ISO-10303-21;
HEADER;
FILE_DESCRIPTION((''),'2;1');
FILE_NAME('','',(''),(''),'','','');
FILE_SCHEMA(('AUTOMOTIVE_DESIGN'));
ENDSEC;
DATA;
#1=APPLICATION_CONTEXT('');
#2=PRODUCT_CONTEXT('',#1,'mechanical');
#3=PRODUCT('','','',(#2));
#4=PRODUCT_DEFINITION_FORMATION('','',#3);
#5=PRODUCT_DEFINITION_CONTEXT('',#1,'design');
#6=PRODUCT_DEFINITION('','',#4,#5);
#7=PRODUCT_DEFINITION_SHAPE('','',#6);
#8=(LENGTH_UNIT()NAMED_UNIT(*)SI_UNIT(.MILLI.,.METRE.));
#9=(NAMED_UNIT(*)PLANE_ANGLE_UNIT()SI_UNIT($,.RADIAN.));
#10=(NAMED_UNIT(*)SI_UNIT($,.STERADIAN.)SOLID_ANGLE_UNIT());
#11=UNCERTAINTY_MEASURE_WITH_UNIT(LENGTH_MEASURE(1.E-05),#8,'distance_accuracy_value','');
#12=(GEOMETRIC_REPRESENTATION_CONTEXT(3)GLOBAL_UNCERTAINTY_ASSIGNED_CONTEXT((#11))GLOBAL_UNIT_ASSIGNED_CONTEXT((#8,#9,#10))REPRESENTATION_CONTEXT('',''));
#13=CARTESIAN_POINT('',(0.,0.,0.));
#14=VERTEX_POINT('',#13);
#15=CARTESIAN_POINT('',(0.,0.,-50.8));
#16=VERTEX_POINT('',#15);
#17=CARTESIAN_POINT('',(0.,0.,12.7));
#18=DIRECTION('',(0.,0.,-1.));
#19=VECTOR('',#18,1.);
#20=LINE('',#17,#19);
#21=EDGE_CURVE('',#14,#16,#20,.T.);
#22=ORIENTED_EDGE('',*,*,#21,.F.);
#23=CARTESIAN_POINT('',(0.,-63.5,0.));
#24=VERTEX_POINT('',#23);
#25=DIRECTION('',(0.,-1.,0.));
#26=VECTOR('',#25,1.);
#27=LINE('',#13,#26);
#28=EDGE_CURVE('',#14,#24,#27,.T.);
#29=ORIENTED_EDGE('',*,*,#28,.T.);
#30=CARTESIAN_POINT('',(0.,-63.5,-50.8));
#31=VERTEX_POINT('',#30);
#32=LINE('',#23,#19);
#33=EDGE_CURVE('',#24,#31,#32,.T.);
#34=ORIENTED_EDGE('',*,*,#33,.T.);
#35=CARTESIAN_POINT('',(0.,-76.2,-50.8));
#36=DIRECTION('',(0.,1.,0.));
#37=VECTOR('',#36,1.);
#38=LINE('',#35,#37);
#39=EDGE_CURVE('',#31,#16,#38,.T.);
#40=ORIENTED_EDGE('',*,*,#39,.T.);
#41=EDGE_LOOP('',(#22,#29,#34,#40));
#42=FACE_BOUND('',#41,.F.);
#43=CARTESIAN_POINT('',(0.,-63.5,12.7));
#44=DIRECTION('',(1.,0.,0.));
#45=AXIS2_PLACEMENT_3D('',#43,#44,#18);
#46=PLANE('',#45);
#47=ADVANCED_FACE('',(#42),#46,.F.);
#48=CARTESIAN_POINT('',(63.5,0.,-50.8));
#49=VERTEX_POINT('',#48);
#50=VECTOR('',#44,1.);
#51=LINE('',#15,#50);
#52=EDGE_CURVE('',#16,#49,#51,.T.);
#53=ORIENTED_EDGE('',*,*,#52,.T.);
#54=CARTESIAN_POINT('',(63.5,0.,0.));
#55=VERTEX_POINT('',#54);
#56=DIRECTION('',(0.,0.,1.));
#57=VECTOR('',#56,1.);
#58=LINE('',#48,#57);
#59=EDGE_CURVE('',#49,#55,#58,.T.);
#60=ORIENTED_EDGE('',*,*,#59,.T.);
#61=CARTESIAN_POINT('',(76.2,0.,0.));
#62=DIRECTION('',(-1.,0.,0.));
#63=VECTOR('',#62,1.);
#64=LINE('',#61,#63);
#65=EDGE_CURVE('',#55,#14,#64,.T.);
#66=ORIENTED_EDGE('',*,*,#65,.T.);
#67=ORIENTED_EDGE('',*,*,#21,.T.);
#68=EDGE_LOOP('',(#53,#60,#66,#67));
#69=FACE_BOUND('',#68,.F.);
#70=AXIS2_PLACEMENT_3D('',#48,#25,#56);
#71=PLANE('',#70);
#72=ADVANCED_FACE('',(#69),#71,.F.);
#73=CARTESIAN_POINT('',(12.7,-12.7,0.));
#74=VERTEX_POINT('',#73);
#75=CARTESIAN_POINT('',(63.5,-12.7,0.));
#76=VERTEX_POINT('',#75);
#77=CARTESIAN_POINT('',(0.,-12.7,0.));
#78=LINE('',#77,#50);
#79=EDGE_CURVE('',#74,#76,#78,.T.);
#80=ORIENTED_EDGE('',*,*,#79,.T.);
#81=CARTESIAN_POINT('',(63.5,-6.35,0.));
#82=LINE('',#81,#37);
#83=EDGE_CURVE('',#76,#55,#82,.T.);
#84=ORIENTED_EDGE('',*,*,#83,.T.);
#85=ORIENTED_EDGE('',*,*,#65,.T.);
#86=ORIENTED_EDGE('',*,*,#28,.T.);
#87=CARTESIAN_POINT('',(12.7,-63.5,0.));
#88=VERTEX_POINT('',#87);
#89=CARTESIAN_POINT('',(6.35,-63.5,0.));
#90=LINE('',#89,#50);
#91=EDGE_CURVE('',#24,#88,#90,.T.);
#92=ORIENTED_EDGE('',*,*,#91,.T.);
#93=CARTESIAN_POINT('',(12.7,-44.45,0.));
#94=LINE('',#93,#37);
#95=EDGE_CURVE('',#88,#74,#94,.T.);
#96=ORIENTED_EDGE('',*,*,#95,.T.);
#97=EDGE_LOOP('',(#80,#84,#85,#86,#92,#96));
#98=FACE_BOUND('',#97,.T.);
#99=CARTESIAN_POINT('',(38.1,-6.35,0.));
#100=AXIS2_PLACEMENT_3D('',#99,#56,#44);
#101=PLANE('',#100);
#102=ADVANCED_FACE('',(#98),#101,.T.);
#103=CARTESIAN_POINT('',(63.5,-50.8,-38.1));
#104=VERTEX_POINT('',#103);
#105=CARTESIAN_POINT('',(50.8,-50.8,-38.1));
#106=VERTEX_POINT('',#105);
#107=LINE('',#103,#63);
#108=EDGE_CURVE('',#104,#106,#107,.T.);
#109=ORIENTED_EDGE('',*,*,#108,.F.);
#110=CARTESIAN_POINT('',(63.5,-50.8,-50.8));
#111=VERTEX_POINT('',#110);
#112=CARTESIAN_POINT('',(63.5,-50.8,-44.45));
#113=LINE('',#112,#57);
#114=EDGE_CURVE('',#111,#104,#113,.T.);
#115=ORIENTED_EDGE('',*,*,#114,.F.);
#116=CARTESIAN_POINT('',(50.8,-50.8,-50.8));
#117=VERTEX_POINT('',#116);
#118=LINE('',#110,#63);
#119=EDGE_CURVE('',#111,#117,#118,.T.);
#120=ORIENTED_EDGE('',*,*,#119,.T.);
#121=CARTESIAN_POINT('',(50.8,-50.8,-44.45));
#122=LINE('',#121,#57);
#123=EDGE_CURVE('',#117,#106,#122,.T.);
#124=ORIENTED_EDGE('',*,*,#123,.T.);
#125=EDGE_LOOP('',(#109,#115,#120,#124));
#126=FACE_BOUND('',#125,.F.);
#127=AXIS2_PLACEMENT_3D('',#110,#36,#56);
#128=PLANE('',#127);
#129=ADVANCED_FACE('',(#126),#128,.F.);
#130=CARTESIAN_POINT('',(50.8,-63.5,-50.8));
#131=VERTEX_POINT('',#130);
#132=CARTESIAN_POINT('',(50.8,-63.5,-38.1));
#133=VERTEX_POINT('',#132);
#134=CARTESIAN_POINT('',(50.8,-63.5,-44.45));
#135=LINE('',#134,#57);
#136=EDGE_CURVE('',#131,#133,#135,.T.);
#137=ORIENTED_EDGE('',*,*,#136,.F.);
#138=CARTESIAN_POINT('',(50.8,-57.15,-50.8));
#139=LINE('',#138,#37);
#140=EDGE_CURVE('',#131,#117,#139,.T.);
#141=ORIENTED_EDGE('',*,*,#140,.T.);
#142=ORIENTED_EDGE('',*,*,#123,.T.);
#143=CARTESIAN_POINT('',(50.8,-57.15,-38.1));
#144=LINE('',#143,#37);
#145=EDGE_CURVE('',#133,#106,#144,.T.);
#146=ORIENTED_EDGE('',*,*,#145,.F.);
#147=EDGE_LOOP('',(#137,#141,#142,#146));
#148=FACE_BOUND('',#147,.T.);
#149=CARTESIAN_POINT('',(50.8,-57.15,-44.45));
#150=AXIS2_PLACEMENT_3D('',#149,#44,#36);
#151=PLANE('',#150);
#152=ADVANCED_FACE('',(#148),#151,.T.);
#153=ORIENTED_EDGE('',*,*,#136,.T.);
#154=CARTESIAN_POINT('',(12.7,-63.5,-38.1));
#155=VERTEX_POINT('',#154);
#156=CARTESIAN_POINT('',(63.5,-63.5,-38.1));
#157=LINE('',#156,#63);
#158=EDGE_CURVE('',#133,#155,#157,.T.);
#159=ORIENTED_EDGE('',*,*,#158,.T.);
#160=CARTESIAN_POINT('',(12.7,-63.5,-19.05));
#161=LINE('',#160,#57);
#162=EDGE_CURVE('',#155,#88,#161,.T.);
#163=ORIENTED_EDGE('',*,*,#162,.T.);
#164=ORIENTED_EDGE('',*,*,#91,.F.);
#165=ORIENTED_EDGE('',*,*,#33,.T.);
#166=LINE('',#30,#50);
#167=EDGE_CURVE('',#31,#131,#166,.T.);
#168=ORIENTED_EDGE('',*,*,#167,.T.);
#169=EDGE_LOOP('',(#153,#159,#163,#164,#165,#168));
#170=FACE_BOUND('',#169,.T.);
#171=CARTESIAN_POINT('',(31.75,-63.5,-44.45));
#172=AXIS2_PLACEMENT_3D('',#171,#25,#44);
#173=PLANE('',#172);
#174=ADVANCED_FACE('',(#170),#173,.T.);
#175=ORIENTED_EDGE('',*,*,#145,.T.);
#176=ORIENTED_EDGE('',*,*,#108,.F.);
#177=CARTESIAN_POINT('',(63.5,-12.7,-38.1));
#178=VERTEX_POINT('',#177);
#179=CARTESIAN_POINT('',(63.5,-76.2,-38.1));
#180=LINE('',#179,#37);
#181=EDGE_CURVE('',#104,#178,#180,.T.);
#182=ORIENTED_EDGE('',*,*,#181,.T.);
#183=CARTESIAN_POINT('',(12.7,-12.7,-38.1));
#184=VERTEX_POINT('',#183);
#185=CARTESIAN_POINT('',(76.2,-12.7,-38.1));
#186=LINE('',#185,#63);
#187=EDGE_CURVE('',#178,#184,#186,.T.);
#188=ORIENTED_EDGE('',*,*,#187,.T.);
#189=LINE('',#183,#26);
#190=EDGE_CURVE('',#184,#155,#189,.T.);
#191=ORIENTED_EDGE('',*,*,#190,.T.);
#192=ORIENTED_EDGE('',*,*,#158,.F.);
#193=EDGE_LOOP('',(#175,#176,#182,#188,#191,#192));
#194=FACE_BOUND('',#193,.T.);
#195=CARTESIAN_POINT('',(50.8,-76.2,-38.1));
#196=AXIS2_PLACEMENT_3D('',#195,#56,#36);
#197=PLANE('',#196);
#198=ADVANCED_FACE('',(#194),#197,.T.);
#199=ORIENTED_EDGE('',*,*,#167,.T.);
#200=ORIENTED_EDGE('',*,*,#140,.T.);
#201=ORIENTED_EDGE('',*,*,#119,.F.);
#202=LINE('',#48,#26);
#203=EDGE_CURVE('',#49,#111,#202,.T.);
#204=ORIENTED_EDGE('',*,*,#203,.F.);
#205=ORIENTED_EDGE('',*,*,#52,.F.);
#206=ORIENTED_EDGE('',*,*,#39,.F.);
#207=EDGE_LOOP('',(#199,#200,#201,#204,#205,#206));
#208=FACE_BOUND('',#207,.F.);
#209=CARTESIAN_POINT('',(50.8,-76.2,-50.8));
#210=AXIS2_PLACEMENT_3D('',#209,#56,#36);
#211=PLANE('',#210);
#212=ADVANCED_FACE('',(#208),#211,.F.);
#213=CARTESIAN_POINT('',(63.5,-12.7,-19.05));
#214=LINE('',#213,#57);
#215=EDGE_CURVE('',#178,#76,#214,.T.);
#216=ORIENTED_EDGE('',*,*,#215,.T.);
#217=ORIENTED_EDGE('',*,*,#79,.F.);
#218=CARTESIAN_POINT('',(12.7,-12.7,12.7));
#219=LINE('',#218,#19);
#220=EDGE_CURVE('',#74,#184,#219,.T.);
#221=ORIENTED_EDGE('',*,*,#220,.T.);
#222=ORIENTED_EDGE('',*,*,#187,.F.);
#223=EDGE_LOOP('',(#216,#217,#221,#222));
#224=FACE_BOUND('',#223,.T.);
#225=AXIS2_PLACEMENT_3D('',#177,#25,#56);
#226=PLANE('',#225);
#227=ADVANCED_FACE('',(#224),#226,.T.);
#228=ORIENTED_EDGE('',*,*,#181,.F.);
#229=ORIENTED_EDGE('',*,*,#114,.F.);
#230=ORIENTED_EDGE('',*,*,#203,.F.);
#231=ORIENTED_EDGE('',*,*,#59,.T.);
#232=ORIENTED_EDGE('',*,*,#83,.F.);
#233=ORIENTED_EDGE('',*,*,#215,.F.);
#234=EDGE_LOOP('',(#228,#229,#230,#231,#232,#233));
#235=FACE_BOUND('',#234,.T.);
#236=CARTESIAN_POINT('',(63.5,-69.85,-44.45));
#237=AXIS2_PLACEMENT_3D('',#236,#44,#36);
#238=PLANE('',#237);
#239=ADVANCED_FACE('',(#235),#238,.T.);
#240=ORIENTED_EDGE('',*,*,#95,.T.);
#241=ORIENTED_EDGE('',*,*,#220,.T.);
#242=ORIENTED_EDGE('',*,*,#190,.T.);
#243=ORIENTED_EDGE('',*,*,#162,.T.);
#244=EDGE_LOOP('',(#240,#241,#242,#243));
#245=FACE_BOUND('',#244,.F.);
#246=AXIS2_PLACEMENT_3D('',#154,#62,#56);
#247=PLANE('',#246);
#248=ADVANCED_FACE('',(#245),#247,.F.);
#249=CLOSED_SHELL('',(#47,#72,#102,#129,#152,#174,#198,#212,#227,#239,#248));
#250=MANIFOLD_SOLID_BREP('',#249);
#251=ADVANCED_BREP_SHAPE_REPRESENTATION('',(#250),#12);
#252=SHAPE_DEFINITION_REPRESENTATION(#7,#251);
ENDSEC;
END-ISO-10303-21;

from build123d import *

# Parameters (mm, degrees)
F0_W      = 12.7
F0_H      = 50.8
F1_DEPTH  = 63.5
F2_W      = 63.5
F2_H      = 12.7
F3_DEPTH  = 50.8
F4_W      = 12.7
F4_H      = 38.1
F5_DEPTH  = 50.8
F6_W      = 12.7
F6_H      = 12.7
F7_DEPTH  = 12.7
F8_W      = 12.7
F8_H      = 12.7
F9_DEPTH  = 12.7
F10_W     = 12.7
F10_H     = 63.5
F11_DEPTH = 12.7
F12_W     = 50.8
F12_H     = 12.7
F13_DEPTH = 12.7
F14_W     = 12.7
F14_H     = 50.8
F15_DEPTH = 12.7
F16_W     = 12.7
F16_H     = 50.8
F17_DEPTH = 12.7
F18_W     = 12.7
F18_H     = 12.7
F19_DEPTH = 25.4
F20_W     = 12.7
F20_H     = 12.7
F21_DEPTH = 12.7
F22_W     = 12.7
F22_H     = 63.5
F23_DEPTH = 12.7
F24_W     = 12.7
F24_H     = 38.1
F25_DEPTH = 12.7
F26_W     = 12.7
F26_H     = 38.1
F27_DEPTH = 12.7
F28_W     = 12.7
F28_H     = 12.7
F29_DEPTH = 12.7


with BuildPart() as f1:
    # F0 (on Front) → F1 (new body)
    with BuildSketch(Plane.XZ):
        with Locations((6.35, -25.4)):
            Rectangle(F0_W, F0_H)
    extrude(amount=F1_DEPTH)

    # F2 (on face) → F3 (join)
    with BuildSketch(Plane.YZ.offset(12.7)):
        with Locations((-31.75, -44.45)):
            Rectangle(F2_W, F2_H)
    extrude(amount=F3_DEPTH)

    # F4 (on face) → F5 (join)
    with BuildSketch(Plane.YZ.offset(12.7)):
        with Locations((-6.35, -19.05)):
            Rectangle(F4_W, F4_H)
    extrude(amount=F5_DEPTH)

    # F6 (on face) → F7 (join)
    with BuildSketch(Plane.YZ.offset(63.5)):
        with Locations((-57.15, -44.45)):
            Rectangle(F6_W, F6_H)
    extrude(amount=-F7_DEPTH)

    # F8 (on face) → F9 (cut)
    with BuildSketch(Plane.XY.offset(-38.1)):
        with Locations((57.15, -57.15)):
            Rectangle(F8_W, F8_H)
    extrude(amount=-F9_DEPTH, mode=Mode.SUBTRACT)

    # F10 (on face) → F11 (join)
    with BuildSketch(Plane.XY):
        with Locations((6.35, -31.75)):
            Rectangle(F10_W, F10_H)
    extrude(amount=F11_DEPTH)

    # F12 (on face) → F13 (join)
    with BuildSketch(Plane.XY):
        with Locations((38.1, -6.35)):
            Rectangle(F12_W, F12_H)
    extrude(amount=F13_DEPTH)

    # F14 (on face) → F15 (join)
    with BuildSketch(Plane.XZ.offset(63.5)):
        Polygon((50.8, -50.8), (50.8, -38.1), (12.7, -38.1), (0, -38.1), (0, -50.8), align=None)
        with Locations((6.35, -12.7)):
            Rectangle(F14_W, F14_H)
    extrude(amount=F15_DEPTH)

    # F16 (on face) → F17 (join)
    with BuildSketch(Plane.YZ.offset(63.5)):
        Polygon((-50.8, -38.1), (-50.8, -50.8), (0, -50.8), (0, -38.1), (-12.7, -38.1), align=None)
        with Locations((-6.35, -12.7)):
            Rectangle(F16_W, F16_H)
    extrude(amount=F17_DEPTH)

    # F18 (on face) → F19 (join)
    with BuildSketch(Plane.YZ.offset(50.8)):
        with Locations((-57.15, -44.45)):
            Rectangle(F18_W, F18_H)
    extrude(amount=F19_DEPTH)

    # F20 (on face) → F21 (join)
    with BuildSketch(Plane.YZ.offset(50.8)):
        with Locations((-69.85, -44.45)):
            Rectangle(F20_W, F20_H)
    extrude(amount=F21_DEPTH)

    # F22 (on face) → F23 (cut)
    with BuildSketch(Plane.XY.offset(12.7)):
        Polygon((76.2, -12.7), (76.2, 0), (0, 0), (0, -12.7), (12.7, -12.7), align=None)
        with Locations((6.35, -44.45)):
            Rectangle(F22_W, F22_H)
    extrude(amount=-F23_DEPTH, mode=Mode.SUBTRACT)

    # F24 (on face) → F25 (cut)
    with BuildSketch(Plane.YZ.offset(76.2)):
        Polygon((-63.5, -38.1), (-63.5, -50.8), (0, -50.8), (0, -38.1), (-12.7, -38.1), align=None)
        with Locations((-6.35, -19.05)):
            Rectangle(F24_W, F24_H)
    extrude(amount=-F25_DEPTH, mode=Mode.SUBTRACT)

    # F26 (on face) → F27 (cut)
    with BuildSketch(Plane.XZ.offset(76.2)):
        Polygon((63.5, -50.8), (63.5, -38.1), (12.7, -38.1), (0, -38.1), (0, -50.8), align=None)
        with Locations((6.35, -19.05)):
            Rectangle(F26_W, F26_H)
    extrude(amount=-F27_DEPTH, mode=Mode.SUBTRACT)

    # F28 (on face) → F29 (cut)
    with BuildSketch(Plane.YZ.offset(63.5)):
        with Locations((-57.15, -44.45)):
            Rectangle(F28_W, F28_H)
    extrude(amount=-F29_DEPTH, mode=Mode.SUBTRACT)


solid = f1.part
